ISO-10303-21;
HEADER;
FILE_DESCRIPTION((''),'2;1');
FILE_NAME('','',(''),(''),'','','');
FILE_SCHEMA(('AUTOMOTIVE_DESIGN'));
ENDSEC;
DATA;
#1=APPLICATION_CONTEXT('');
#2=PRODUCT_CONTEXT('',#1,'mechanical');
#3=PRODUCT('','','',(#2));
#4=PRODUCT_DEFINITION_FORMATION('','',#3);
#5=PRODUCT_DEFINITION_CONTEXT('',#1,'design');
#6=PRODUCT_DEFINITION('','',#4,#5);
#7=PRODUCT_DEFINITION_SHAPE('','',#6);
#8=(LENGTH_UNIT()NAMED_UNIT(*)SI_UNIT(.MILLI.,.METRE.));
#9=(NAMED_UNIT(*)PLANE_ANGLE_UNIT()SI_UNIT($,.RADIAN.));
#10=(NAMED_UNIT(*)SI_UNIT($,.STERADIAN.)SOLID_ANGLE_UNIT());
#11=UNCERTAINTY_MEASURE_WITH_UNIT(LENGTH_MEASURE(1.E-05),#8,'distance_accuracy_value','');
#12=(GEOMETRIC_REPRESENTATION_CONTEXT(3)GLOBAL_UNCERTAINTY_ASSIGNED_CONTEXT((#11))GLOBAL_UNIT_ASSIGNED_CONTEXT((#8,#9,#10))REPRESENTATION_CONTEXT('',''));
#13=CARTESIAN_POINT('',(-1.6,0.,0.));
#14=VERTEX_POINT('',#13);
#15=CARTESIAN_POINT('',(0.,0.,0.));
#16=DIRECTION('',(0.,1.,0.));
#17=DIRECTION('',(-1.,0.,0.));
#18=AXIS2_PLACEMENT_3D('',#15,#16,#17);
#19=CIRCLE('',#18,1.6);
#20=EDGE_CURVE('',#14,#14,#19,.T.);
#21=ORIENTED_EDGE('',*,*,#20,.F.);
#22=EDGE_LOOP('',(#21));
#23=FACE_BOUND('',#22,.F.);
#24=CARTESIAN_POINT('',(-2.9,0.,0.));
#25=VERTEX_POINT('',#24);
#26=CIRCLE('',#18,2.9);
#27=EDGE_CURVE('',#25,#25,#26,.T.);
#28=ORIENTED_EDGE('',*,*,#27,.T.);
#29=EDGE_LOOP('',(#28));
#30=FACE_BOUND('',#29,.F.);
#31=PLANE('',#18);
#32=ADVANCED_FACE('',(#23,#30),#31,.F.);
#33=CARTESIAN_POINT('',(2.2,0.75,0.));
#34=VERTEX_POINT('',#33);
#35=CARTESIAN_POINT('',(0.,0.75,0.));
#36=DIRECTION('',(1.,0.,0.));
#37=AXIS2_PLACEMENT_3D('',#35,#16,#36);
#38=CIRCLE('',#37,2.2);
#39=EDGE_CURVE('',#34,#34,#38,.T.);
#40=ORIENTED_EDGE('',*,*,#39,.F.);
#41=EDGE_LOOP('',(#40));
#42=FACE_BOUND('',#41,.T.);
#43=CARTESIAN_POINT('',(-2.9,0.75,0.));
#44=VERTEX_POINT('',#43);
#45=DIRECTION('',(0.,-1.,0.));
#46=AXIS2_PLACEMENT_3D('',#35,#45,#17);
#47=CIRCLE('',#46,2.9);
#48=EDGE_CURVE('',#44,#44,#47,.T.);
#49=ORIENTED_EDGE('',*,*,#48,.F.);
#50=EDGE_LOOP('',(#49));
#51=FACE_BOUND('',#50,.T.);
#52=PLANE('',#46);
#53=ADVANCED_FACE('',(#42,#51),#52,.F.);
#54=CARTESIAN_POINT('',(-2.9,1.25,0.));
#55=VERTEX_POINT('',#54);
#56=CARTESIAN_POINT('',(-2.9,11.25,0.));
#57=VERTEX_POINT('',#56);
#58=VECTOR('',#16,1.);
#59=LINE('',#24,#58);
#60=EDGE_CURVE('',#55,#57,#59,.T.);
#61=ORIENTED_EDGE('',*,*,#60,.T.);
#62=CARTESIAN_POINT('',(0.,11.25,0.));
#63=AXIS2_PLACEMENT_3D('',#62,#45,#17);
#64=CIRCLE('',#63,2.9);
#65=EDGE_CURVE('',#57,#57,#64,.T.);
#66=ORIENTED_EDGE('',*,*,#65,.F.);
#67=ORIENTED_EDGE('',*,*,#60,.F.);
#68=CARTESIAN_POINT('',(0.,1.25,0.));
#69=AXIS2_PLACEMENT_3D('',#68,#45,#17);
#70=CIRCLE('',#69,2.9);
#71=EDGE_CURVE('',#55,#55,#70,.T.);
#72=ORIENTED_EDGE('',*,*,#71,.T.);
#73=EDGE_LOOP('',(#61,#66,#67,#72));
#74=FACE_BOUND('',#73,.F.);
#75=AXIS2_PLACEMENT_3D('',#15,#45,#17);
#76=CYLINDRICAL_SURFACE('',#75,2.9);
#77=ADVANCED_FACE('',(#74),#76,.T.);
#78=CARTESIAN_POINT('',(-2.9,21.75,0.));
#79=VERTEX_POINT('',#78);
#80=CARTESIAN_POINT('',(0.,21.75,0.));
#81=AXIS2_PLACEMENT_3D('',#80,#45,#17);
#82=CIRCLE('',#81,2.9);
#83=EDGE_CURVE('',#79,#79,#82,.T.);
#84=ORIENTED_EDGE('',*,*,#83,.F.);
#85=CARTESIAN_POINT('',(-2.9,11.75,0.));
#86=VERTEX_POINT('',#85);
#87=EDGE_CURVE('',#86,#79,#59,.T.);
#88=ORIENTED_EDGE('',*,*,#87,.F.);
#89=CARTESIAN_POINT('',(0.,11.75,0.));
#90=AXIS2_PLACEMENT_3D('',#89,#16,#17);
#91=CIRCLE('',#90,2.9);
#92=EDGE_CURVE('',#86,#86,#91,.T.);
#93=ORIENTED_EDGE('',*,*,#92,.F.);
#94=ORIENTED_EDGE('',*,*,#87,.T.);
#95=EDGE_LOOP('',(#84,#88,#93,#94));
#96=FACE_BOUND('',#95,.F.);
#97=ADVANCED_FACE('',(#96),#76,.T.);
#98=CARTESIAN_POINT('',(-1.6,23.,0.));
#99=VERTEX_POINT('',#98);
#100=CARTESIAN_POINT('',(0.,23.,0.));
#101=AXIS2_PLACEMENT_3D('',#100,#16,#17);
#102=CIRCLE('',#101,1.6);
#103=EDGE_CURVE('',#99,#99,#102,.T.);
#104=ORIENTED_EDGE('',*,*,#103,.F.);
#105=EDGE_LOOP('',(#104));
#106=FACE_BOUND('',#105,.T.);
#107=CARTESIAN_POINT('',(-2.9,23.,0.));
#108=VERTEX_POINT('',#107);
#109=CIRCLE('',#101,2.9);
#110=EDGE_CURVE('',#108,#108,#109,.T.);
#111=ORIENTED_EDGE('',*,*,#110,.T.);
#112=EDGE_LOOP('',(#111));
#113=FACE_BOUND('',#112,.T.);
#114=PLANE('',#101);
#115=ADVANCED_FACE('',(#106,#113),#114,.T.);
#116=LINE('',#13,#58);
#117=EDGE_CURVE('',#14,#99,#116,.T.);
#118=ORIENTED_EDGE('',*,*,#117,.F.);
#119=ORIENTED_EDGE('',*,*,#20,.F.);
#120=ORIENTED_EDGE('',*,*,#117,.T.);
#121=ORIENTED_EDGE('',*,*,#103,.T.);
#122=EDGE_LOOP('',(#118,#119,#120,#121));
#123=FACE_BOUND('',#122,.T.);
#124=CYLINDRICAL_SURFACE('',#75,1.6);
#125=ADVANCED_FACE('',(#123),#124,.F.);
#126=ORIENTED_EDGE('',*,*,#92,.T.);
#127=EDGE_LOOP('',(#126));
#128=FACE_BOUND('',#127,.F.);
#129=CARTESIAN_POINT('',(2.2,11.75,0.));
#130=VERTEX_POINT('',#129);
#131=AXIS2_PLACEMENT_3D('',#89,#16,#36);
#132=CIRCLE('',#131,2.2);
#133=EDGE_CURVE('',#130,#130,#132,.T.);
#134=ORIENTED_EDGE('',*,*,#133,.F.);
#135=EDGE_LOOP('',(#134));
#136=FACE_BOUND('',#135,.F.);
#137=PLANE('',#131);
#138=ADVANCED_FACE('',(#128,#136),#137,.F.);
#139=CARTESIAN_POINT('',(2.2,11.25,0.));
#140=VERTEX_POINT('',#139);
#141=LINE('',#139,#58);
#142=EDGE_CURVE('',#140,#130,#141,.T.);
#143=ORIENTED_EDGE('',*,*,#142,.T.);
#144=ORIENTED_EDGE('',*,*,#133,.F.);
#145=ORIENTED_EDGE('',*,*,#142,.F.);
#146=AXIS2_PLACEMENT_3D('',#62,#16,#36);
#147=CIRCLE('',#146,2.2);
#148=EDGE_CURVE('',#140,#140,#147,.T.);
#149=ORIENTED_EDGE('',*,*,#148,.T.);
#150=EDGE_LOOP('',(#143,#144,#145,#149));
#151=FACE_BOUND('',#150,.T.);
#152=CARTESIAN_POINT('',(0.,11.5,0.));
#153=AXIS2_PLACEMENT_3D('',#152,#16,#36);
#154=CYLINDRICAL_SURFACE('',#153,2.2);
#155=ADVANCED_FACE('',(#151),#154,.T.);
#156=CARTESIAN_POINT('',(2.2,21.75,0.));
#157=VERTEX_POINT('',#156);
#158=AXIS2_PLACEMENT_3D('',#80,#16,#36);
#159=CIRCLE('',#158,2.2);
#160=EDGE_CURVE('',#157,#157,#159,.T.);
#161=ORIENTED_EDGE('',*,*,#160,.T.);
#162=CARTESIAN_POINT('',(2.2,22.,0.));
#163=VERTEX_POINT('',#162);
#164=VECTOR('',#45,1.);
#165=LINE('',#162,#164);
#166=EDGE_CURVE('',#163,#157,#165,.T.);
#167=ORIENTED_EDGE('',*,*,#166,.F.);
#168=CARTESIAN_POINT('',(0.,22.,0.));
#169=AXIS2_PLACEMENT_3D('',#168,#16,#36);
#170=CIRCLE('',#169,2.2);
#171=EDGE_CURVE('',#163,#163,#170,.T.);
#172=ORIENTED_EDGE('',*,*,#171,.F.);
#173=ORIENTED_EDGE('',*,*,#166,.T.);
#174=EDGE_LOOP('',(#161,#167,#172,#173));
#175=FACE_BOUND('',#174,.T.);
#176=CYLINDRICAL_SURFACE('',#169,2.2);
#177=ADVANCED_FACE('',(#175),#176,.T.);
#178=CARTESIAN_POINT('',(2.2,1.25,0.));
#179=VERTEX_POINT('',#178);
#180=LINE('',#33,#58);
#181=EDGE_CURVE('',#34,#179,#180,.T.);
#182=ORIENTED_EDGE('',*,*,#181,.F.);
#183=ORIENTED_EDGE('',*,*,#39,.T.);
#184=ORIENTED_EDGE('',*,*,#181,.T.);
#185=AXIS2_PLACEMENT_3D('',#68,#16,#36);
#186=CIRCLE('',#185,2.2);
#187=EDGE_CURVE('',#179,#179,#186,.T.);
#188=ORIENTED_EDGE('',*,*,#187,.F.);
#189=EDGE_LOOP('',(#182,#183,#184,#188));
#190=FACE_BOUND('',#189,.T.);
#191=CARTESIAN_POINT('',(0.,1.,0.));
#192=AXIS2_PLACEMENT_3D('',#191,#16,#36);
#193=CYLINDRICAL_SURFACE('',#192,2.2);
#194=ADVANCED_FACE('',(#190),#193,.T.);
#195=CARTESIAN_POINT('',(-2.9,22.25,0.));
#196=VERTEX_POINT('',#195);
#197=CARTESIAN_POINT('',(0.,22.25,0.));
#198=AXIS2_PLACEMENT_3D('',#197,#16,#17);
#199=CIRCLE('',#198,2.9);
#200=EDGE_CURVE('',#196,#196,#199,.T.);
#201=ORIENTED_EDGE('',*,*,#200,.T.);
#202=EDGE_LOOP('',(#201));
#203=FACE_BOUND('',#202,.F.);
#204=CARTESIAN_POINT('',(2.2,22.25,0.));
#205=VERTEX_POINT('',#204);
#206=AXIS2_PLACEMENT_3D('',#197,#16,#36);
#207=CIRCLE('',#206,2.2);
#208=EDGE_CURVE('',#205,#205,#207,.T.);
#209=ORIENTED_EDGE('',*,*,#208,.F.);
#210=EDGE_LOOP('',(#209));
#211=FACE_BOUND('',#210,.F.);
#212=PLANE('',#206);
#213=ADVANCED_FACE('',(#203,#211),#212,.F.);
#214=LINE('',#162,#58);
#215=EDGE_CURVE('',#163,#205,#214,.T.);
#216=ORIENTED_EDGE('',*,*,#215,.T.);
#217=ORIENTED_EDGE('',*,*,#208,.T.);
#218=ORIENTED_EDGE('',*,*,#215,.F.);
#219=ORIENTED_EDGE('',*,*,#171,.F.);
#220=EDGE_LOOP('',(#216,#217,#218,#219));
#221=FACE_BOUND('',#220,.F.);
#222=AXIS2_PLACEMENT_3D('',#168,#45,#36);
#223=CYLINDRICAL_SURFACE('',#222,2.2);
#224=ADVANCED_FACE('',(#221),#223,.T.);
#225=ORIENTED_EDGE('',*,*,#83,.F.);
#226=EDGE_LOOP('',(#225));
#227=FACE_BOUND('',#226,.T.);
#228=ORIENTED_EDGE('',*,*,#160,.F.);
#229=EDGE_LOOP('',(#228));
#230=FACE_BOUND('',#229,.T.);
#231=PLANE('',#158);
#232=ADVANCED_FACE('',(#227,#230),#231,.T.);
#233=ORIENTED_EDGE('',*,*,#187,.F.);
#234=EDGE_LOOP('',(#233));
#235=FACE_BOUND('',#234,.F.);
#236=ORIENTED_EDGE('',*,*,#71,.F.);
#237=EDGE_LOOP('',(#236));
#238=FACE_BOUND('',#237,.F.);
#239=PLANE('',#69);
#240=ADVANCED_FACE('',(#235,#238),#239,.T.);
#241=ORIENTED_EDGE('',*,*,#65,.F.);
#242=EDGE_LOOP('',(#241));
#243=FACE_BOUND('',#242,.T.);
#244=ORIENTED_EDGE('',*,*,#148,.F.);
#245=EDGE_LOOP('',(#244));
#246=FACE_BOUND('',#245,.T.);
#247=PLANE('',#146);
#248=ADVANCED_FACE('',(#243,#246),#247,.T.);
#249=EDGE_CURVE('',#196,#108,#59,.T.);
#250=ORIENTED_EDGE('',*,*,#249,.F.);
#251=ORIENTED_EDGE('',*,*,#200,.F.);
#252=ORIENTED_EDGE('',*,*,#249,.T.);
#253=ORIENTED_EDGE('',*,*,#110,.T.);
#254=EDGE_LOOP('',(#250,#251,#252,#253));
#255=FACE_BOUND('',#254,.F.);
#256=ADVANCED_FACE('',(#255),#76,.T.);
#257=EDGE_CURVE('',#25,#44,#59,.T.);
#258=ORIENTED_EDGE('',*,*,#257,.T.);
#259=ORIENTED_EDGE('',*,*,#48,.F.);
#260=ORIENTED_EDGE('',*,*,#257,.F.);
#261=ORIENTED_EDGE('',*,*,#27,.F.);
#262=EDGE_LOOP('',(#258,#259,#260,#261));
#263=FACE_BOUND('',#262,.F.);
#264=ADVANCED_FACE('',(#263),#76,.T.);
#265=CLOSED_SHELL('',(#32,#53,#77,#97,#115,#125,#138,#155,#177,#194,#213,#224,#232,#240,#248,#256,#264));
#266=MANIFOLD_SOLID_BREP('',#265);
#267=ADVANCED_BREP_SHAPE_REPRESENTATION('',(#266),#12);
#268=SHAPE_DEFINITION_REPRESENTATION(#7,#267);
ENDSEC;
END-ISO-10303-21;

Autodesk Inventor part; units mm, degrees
ref_plane "YZ Plane" through (0, 0, 0) normal (1, 0, 0) x (0, 1, 0)
sketch "Sketch1" plane through (0, 0, 0) normal (0, 1, 0) x (-1, 0, 0)
  circle A0 centre (0, 0) radius 2.9
  circle A1 centre (0, 0) radius 1.6
  dimension "d0" = 3.2
  dimension "d1" = 5.8
extrude "Extrusion1" add sketch "Sketch1" along normal blind 23
ref_plane "Work Plane1" through (0, 11.5, 0) normal (0, 1, 0) x (1, 0, 0)
sketch "Sketch3" plane through (0, 11.5, 0) normal (0, 1, 0) x (1, 0, 0)
  circle A0 centre (0, 0) radius 1.6 construction
  circle A1 centre (0, 0) radius 2.2
  circle A2 centre (0, 0) radius 2.9 projected
  dimension "d12" = 0.7
extrude "Extrusion3" cut sketch "Sketch3" along normal mid plane 0.5
ref_plane "Work Plane2" through (0, 22, 0) normal (0, 1, 0) x (1, 0, 0)
sketch "Sketch4" plane through (0, 22, 0) normal (0, 1, 0) x (1, 0, 0)
  circle A0 centre (0, 0) radius 2.9 projected
  circle A1 centre (0, 0) radius 2.2
  dimension "d9" = 0.7
extrude "Extrusion4" cut sketch "Sketch4" along normal mid plane 0.5
mirror "Mirror1" about plane through (0, 11.5, 0) normal (0, 1, 0) of "Extrusion4"
properties part number "fullbar"
